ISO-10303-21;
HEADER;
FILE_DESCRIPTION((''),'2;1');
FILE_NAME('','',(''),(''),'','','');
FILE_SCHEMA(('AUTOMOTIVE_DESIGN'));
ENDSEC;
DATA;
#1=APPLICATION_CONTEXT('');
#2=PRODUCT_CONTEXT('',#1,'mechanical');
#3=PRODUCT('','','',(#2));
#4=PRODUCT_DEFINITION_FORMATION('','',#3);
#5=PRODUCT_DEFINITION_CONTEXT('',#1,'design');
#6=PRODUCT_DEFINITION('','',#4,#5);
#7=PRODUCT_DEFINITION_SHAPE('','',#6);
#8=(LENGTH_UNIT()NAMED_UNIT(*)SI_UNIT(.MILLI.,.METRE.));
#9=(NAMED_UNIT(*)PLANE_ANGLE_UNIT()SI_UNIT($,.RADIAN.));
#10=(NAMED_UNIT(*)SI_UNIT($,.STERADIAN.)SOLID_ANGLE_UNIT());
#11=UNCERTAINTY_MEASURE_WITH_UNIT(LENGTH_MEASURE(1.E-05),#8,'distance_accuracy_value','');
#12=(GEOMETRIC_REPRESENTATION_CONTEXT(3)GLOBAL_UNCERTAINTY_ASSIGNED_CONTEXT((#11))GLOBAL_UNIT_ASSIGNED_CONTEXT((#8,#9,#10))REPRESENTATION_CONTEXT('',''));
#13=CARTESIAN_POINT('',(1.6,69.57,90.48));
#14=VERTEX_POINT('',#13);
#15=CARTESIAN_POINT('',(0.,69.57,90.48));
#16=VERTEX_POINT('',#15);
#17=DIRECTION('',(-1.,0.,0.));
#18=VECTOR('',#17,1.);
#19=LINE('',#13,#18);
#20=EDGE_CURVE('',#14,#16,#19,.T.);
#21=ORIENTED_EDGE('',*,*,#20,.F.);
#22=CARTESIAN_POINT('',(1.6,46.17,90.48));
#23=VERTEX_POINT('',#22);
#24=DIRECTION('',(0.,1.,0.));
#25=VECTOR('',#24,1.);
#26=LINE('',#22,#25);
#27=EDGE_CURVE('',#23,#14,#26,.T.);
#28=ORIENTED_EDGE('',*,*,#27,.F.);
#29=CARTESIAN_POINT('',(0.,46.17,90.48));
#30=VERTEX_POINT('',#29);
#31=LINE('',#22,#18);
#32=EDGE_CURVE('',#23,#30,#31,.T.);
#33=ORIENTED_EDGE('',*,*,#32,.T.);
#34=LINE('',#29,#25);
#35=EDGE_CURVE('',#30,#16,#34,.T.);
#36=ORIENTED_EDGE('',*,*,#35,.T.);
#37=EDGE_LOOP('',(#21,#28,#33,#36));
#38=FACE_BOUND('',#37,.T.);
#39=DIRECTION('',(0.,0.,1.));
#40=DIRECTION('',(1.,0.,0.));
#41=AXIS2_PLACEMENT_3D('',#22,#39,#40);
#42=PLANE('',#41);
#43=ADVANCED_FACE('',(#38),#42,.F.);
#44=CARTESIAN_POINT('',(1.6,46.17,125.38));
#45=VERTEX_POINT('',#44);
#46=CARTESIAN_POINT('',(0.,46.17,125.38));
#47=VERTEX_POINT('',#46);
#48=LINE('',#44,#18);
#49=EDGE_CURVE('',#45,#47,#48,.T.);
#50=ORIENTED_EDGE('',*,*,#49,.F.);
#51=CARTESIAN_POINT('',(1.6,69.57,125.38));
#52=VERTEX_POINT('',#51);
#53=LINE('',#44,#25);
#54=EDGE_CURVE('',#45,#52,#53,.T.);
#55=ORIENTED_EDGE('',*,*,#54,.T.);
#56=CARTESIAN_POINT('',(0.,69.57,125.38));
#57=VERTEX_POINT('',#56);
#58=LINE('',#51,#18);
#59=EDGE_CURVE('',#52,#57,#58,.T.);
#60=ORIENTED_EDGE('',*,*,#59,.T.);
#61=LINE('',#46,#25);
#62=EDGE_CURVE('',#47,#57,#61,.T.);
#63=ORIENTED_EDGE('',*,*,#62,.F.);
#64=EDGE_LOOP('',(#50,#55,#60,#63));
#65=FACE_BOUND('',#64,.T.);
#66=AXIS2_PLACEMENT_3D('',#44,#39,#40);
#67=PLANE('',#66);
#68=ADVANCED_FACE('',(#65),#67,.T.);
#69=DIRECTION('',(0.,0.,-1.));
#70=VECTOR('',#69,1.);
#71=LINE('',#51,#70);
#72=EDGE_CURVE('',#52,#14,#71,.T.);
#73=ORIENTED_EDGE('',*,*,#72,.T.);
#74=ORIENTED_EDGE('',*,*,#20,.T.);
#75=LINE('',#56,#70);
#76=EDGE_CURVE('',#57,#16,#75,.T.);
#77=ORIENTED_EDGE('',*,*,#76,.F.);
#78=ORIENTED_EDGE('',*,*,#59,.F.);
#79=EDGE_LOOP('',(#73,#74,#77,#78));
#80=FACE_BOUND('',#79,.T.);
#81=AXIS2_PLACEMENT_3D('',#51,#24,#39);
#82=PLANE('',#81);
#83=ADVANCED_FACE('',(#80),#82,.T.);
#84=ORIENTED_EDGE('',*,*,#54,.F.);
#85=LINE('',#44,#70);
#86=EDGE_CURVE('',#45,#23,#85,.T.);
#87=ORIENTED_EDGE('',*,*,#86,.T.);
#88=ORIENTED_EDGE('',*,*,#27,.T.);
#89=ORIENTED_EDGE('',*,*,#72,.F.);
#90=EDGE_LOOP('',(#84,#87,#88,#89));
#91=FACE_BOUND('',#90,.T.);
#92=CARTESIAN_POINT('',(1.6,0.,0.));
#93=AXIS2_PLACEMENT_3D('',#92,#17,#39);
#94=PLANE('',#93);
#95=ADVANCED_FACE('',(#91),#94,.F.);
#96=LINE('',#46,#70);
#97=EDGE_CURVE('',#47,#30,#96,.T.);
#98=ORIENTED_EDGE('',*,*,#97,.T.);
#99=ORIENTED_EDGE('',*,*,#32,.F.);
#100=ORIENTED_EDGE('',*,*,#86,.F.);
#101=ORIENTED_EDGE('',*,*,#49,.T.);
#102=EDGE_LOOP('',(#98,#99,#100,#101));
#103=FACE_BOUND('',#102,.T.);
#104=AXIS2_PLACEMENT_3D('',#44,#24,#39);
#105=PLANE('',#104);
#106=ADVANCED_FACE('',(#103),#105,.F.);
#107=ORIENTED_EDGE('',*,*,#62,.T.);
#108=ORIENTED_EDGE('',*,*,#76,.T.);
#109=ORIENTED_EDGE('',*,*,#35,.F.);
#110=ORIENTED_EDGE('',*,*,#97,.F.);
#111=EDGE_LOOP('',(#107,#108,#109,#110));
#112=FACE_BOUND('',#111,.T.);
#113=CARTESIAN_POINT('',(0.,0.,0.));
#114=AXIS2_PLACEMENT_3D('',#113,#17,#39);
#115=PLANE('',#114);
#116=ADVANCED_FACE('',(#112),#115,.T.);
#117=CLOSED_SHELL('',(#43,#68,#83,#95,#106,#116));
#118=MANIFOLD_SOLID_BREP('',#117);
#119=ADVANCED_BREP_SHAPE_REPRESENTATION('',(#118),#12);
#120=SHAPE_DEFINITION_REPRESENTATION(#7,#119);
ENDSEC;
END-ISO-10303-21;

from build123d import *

# Parameters (mm, degrees)
SKETCH1_W           = 23.4
SKETCH1_H           = 34.9
BOSS_EXTRUDE1_DEPTH = 1.6


with BuildPart() as part:
    # Sketch1 → Boss-Extrude1 (new body)
    with BuildSketch(Plane.YZ):
        with Locations((57.87, 107.93)):
            Rectangle(SKETCH1_W, SKETCH1_H)
    extrude(amount=BOSS_EXTRUDE1_DEPTH)


solid = part.part
